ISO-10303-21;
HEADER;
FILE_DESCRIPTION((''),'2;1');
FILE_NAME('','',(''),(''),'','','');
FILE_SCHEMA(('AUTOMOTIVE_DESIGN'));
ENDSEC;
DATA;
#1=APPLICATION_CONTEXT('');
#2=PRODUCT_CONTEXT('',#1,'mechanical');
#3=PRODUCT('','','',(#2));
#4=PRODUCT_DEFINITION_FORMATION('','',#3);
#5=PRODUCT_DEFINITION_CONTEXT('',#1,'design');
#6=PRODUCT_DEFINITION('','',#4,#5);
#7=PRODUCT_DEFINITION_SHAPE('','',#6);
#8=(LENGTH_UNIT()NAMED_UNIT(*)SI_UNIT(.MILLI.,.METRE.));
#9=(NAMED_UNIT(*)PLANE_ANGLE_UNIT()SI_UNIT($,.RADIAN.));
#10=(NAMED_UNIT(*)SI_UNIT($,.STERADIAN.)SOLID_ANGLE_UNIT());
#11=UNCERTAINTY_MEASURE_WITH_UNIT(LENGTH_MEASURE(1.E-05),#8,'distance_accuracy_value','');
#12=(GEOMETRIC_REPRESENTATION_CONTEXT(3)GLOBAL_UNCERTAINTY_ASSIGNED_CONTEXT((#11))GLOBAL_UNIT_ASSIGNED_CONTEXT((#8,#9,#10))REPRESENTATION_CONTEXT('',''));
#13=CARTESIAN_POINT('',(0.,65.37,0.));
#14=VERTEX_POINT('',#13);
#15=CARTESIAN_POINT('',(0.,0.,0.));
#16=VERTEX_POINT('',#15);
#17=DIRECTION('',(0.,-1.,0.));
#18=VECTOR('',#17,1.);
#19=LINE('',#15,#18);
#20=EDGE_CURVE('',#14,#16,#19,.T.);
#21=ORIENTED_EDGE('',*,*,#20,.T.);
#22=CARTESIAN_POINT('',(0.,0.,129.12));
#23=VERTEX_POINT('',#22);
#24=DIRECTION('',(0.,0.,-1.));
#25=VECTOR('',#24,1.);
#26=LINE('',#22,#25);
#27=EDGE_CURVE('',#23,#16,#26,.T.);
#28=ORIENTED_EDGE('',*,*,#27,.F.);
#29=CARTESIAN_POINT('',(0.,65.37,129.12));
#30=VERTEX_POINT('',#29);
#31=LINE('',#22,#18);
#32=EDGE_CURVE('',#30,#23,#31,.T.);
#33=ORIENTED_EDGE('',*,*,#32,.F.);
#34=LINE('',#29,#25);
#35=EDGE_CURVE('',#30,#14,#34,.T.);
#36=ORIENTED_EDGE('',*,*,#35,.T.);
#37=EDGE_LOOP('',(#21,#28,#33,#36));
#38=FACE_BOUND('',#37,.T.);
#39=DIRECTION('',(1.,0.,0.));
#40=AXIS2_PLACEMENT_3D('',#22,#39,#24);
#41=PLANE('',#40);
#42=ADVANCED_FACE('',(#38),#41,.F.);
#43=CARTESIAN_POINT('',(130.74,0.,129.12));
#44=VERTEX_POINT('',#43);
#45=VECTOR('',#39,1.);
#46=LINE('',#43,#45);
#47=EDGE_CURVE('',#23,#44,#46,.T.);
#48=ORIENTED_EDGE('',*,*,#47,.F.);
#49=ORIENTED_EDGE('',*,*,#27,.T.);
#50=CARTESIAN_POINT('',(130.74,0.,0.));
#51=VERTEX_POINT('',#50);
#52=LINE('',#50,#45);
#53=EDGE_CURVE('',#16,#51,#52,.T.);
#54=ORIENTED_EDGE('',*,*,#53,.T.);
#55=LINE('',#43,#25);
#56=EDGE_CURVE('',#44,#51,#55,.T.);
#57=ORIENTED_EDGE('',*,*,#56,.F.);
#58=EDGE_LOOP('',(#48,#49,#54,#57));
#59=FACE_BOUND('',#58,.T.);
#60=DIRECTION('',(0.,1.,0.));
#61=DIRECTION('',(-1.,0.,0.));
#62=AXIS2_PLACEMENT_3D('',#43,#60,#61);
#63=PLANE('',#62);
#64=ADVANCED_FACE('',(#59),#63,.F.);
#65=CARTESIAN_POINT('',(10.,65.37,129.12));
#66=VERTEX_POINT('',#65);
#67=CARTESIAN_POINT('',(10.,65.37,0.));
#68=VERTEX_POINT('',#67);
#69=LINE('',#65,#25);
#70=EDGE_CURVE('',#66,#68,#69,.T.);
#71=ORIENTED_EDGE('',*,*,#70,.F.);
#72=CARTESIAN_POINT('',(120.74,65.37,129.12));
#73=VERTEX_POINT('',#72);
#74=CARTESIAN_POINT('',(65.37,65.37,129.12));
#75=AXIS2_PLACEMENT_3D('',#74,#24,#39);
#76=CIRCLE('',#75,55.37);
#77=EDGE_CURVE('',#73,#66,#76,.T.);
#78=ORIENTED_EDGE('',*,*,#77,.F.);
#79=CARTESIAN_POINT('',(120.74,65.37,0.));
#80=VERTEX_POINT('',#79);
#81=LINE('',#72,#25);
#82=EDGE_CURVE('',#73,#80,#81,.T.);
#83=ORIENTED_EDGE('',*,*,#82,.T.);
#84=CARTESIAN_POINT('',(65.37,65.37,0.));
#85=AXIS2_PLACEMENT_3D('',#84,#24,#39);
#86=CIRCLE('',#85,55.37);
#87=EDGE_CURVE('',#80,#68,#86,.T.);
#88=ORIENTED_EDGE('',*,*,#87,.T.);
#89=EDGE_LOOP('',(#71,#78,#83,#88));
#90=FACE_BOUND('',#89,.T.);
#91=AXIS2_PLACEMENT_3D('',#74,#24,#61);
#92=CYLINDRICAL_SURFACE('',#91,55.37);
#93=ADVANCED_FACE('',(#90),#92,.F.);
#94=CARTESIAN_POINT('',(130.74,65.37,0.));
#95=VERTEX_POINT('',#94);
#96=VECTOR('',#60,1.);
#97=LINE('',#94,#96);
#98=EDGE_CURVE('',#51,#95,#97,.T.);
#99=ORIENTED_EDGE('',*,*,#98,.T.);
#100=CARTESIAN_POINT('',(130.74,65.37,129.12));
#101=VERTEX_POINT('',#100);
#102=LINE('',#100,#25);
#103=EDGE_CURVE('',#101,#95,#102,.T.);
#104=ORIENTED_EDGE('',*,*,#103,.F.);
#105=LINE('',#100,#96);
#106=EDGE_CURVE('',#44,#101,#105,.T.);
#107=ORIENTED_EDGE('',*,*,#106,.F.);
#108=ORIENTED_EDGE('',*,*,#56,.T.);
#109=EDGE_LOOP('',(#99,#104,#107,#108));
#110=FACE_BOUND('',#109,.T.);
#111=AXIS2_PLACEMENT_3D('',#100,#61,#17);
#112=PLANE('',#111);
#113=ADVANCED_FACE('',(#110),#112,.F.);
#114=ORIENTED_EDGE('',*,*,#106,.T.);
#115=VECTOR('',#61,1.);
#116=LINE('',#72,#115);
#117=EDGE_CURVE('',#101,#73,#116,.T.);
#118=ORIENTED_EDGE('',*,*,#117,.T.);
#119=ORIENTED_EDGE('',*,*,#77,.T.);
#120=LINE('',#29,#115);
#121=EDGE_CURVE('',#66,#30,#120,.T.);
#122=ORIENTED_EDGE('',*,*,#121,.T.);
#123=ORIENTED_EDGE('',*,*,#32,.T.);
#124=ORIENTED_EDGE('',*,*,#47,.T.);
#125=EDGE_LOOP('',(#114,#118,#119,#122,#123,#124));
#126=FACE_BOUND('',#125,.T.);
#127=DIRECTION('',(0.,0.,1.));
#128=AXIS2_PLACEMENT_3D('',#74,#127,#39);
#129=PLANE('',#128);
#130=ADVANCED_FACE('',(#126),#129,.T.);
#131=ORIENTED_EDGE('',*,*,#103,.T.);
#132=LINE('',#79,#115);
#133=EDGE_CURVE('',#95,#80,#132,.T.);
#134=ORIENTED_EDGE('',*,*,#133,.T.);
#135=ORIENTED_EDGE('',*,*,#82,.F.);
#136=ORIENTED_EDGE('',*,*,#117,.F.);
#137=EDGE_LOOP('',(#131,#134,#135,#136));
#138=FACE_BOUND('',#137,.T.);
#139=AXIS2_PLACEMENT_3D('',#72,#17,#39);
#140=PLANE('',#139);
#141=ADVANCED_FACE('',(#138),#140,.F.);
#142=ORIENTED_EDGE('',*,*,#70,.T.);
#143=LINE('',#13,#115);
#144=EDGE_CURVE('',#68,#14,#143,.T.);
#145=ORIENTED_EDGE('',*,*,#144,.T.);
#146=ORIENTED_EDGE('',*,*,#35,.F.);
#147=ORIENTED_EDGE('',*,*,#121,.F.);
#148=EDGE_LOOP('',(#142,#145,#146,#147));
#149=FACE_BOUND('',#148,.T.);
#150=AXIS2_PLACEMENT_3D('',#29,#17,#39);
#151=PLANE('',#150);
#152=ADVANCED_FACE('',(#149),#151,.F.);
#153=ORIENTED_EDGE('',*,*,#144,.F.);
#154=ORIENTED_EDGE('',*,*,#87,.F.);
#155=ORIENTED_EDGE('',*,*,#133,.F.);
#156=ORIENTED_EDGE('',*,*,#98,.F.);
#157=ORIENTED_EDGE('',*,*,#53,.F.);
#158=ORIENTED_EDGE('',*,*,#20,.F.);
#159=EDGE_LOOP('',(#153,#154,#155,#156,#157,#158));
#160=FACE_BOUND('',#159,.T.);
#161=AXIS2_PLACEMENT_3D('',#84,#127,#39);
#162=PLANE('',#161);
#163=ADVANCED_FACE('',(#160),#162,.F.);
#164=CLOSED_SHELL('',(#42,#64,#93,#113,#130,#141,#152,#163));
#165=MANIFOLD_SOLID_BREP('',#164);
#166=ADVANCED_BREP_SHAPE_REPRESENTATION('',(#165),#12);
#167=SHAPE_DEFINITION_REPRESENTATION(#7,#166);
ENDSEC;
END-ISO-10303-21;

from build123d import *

# Parameters (mm, degrees)
BOSS_EXTRUDE1_DEPTH = 129.12


with BuildPart() as part:
    # Sketch1 → Boss-Extrude1 (new body)
    with BuildSketch(Plane.XY):
        with BuildLine():
            Line((0, 0), (0, 65.37))
            Line((0, 65.37), (10, 65.37))
            ThreePointArc((10, 65.37), (65.37, 10), (120.74, 65.37))
            Line((120.74, 65.37), (130.74, 65.37))
            Line((130.74, 65.37), (130.74, 0))
            Line((130.74, 0), (0, 0))
        make_face()
    extrude(amount=BOSS_EXTRUDE1_DEPTH)


solid = part.part
